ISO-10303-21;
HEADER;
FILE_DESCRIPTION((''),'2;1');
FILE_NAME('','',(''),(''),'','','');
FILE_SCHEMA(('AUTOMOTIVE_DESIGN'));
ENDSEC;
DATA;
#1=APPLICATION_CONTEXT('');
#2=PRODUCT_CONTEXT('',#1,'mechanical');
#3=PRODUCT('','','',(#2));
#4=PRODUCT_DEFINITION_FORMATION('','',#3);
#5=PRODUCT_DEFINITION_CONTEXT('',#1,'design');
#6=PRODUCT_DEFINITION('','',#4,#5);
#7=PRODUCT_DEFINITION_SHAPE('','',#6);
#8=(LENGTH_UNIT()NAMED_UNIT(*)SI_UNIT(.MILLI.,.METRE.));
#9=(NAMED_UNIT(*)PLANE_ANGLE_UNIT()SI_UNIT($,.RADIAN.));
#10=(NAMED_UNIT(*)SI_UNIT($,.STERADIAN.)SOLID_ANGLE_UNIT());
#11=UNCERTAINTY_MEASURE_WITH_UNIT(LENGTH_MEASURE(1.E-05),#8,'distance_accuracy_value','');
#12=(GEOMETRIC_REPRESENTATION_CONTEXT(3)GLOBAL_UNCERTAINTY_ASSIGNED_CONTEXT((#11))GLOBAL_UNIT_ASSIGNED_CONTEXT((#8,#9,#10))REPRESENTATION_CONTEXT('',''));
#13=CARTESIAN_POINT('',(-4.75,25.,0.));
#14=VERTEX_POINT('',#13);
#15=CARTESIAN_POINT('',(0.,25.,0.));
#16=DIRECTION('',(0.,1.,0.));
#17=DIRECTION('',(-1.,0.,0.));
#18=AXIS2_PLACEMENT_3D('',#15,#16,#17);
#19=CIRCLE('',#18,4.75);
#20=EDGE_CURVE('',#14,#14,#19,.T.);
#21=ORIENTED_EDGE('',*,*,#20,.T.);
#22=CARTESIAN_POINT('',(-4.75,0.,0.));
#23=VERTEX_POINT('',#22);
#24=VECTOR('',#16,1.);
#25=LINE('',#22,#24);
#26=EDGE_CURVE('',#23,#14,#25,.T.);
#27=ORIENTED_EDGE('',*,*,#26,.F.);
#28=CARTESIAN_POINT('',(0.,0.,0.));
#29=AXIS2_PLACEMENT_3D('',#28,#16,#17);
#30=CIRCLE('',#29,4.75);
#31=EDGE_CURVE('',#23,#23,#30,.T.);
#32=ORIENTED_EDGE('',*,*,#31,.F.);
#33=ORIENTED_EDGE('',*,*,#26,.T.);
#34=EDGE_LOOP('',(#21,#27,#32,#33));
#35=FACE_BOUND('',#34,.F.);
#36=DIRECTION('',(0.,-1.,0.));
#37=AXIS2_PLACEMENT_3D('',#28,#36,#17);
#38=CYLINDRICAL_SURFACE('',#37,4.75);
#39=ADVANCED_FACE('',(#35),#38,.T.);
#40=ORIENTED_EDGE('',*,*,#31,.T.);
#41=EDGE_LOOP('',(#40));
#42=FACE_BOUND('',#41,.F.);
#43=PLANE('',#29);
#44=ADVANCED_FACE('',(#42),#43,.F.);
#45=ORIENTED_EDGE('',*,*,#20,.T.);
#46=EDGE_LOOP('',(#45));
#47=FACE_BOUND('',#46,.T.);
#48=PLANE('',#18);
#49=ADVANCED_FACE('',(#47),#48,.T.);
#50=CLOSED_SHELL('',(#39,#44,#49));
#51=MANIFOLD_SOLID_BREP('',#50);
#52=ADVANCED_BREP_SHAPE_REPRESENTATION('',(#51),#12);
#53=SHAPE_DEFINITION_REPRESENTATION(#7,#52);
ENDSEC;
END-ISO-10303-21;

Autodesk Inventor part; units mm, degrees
ref_plane "YZ Plane" through (0, 0, 0) normal (1, 0, 0) x (0, 1, 0)
ref_plane "XZ Plane" through (0, 0, 0) normal (0, 1, 0) x (-1, 0, 0)
ref_plane "XY Plane" through (0, 0, 0) normal (0, 0, 1) x (1, 0, 0)
sketch "Sketch1" plane through (0, 0, 0) normal (0, 1, 0) x (-1, 0, 0)
  circle A0 centre (0, 0) radius 4.75
  dimension "d0" = 9.5
extrude "Extrusion1" add sketch "Sketch1" along normal blind 25
properties part number "EJE2_3DPrint"
